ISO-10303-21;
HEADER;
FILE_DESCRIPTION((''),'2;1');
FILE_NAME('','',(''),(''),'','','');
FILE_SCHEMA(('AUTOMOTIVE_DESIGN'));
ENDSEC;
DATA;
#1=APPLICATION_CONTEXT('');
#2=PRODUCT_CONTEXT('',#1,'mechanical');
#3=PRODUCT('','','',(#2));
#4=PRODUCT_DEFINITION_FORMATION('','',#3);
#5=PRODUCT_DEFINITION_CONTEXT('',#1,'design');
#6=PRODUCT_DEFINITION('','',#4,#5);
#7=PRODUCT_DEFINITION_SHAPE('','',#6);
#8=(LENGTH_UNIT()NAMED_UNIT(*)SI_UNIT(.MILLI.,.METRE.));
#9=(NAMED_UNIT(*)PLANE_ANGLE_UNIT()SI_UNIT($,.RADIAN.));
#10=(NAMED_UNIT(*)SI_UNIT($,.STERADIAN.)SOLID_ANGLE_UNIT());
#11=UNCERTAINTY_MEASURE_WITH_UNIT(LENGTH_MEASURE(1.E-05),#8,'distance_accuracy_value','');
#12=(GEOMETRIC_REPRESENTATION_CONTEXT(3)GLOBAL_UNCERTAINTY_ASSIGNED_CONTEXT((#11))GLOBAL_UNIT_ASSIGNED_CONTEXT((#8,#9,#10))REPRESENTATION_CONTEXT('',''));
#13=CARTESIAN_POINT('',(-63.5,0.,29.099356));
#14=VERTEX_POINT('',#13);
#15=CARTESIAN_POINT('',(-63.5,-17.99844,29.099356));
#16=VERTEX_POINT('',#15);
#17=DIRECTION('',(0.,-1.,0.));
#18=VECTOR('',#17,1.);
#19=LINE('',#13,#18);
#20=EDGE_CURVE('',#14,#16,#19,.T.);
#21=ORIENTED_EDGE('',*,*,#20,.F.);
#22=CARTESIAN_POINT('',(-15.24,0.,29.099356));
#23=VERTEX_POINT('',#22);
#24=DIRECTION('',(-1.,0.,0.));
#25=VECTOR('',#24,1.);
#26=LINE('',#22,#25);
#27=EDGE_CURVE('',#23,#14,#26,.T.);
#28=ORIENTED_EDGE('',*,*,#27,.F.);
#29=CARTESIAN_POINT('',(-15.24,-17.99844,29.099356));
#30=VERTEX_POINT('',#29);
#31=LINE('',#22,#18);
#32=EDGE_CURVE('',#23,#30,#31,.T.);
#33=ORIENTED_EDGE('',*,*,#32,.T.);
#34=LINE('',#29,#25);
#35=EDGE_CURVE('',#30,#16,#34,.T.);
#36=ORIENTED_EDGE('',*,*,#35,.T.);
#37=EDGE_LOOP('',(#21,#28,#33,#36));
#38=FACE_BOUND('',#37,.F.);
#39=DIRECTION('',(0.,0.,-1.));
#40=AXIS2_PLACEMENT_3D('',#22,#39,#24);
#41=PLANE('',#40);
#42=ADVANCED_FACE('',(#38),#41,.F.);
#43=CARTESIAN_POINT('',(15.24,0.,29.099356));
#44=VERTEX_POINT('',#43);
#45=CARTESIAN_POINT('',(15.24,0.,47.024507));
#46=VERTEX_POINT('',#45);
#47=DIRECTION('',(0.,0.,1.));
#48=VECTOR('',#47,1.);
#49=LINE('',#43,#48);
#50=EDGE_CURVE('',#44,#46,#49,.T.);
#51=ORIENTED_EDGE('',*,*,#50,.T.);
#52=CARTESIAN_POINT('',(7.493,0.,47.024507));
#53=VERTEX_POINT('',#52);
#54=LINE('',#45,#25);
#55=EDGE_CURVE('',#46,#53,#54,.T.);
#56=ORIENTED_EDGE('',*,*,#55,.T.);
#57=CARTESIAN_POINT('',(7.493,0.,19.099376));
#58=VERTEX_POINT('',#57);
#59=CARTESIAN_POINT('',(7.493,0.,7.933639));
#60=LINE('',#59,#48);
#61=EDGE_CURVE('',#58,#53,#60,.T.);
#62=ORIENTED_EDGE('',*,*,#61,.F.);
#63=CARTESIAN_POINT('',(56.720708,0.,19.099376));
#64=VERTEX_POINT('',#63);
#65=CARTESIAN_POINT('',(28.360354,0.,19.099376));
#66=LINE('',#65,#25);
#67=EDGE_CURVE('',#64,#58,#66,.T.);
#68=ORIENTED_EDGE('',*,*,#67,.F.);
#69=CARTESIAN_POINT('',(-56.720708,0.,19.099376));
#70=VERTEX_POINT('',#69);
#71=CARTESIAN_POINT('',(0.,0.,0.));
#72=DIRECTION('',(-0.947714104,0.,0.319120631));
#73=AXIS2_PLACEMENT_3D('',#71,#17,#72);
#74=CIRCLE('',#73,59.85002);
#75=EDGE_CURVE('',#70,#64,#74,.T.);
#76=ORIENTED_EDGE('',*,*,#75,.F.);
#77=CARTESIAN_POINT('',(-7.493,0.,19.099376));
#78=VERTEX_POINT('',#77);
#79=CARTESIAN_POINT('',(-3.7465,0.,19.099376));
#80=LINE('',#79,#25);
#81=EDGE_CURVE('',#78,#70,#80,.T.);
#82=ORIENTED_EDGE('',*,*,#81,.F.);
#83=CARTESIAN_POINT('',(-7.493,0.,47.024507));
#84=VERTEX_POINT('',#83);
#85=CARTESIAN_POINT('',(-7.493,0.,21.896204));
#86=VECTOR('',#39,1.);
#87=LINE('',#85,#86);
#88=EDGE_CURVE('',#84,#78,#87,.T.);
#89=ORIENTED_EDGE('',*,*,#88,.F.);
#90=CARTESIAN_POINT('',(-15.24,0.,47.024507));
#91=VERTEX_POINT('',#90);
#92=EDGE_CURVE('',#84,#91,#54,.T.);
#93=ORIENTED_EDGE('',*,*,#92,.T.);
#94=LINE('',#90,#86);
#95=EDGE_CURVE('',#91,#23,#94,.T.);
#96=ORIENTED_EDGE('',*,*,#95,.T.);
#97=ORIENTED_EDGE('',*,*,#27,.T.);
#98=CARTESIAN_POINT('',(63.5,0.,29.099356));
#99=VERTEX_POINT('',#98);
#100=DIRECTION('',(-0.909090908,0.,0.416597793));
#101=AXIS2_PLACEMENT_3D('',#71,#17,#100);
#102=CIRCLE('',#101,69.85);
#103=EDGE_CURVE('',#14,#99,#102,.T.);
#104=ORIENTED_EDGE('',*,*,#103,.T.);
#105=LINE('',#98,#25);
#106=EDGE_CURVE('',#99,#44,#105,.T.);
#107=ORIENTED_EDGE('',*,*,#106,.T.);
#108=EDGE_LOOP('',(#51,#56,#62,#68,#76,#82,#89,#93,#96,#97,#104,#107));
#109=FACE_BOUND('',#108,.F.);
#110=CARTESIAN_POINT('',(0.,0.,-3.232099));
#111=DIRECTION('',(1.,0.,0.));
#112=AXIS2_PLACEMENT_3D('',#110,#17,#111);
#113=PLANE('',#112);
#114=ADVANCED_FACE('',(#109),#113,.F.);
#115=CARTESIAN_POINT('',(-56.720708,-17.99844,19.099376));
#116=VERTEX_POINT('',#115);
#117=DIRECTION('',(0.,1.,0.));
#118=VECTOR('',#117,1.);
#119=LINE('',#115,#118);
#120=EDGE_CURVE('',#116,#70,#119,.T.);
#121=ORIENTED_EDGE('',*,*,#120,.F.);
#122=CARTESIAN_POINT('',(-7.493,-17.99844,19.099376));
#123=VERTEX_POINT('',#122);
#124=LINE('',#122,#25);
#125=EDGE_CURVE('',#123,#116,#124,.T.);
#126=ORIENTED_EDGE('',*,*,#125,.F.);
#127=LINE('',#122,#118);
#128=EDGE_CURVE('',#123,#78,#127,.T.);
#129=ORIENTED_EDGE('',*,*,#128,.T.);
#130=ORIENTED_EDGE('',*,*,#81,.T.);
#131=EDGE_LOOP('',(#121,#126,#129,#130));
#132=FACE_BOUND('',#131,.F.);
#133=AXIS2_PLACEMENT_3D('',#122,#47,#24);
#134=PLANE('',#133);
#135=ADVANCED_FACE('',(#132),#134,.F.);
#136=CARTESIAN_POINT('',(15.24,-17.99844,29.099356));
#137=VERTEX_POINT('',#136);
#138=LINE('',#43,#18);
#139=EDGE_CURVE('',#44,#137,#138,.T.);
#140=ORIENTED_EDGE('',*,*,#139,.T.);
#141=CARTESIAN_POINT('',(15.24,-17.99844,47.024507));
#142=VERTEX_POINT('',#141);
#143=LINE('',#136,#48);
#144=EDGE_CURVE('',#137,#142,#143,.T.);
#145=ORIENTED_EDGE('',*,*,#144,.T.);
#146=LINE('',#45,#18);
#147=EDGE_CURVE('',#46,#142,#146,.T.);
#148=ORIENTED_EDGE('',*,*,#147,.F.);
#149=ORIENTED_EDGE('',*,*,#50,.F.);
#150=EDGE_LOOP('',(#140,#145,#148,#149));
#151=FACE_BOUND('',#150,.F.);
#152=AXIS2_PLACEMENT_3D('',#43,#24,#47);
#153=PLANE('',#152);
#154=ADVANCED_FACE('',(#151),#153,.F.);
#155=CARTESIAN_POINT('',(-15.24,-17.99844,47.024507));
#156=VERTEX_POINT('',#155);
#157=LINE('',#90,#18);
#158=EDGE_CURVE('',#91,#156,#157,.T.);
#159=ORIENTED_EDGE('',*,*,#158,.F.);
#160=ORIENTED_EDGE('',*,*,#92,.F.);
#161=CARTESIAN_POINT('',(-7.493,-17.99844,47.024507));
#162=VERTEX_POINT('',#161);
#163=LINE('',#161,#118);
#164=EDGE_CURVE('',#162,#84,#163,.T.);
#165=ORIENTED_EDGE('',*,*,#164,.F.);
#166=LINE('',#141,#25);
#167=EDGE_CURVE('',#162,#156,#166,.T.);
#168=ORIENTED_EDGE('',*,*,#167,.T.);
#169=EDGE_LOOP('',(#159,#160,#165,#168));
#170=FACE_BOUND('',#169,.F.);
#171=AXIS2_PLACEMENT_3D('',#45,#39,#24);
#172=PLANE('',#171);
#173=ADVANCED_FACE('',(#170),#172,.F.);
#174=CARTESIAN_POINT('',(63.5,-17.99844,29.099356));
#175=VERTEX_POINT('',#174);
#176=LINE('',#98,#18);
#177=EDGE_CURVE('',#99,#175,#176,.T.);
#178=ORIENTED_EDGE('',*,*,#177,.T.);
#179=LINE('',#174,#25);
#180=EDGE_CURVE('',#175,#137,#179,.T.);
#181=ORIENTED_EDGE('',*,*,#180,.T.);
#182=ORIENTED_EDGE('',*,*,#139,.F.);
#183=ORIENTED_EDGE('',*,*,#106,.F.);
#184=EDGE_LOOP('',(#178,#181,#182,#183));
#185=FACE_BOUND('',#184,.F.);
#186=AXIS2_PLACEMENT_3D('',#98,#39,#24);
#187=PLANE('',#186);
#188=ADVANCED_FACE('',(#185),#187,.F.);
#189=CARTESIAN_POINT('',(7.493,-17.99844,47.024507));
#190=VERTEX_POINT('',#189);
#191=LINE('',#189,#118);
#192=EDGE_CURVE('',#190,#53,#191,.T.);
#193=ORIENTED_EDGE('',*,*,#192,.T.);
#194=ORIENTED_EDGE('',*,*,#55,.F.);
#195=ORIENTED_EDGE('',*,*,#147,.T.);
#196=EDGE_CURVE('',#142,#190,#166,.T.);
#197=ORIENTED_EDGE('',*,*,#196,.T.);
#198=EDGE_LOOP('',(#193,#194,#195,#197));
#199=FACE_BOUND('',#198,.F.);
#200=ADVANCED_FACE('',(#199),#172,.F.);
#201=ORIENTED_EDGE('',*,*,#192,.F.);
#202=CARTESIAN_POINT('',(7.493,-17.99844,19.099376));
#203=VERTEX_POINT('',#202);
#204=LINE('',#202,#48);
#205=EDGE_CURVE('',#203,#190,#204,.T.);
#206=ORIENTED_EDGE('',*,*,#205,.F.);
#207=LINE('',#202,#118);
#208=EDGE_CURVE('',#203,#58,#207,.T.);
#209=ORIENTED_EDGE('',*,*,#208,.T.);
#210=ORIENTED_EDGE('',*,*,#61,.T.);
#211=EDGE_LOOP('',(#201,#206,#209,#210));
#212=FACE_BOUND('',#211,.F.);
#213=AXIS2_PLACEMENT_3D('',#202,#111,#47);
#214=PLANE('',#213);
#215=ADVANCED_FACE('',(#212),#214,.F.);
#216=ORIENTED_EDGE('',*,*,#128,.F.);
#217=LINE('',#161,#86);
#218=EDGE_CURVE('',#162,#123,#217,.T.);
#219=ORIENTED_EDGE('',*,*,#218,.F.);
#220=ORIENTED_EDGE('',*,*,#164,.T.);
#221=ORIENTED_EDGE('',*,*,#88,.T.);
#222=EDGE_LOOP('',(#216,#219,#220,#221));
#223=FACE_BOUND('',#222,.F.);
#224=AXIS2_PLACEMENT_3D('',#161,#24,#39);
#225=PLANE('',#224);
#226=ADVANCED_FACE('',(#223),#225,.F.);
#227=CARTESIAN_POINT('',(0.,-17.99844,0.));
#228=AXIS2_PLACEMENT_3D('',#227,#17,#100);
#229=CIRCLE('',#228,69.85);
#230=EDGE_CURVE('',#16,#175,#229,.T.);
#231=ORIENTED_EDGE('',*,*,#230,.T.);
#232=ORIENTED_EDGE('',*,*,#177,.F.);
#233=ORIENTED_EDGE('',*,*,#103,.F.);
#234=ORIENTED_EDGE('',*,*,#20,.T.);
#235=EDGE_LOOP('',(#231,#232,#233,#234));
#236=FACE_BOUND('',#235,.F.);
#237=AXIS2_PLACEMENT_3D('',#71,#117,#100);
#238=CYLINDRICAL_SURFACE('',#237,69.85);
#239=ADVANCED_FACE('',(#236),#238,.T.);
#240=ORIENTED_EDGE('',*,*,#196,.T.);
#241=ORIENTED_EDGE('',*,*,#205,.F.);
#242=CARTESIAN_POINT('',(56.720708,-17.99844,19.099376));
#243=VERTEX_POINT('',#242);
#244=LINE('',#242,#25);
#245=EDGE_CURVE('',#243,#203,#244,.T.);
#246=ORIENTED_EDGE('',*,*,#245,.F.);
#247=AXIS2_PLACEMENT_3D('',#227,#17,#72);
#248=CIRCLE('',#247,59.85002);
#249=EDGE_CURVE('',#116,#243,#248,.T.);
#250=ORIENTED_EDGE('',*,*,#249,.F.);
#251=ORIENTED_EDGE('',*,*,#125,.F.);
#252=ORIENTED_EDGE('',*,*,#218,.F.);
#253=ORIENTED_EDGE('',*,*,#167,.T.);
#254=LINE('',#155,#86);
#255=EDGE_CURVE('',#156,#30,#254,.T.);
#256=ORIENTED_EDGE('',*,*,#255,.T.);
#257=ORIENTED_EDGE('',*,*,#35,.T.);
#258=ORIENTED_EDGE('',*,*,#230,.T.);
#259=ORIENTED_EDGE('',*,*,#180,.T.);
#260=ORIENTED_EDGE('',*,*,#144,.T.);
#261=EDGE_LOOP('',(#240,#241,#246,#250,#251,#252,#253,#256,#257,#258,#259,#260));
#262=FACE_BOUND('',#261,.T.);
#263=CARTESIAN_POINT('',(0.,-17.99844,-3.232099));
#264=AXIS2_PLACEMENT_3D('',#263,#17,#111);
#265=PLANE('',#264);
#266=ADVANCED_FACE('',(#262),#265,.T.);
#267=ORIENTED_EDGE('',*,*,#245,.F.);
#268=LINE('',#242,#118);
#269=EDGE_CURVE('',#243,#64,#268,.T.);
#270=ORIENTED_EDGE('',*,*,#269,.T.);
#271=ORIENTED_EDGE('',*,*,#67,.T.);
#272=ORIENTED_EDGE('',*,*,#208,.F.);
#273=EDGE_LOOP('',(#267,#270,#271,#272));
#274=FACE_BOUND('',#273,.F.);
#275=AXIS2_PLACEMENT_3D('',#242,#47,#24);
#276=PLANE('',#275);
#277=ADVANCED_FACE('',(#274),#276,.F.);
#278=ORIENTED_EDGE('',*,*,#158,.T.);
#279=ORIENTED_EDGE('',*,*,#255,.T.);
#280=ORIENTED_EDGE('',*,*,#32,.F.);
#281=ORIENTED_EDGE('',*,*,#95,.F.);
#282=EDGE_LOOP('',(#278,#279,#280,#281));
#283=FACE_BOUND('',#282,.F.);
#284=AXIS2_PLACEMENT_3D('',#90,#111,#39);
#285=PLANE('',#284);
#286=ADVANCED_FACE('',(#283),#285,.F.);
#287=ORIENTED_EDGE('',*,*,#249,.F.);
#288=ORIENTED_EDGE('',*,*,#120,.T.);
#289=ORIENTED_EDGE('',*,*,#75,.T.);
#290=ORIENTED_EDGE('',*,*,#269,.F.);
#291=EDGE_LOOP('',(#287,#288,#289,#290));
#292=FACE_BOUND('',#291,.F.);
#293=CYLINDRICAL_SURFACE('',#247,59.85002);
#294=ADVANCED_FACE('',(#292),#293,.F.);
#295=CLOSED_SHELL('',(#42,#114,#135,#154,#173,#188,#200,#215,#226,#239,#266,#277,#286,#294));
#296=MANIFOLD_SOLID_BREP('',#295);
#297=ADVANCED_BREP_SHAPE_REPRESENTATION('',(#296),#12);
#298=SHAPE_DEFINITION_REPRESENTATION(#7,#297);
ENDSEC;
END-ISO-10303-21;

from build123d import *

# Parameters (mm, degrees)
F1_DEPTH = 17.99844
F3_DEPTH = 17.99944


with BuildPart() as f1:
    # F0 (on Front) → F1 (new body)
    with BuildSketch(Plane.XZ):
        with BuildLine():
            Line((-15.24, 29.099356), (-63.5, 29.099356))
            ThreePointArc((-63.5, 29.099356), (0, -69.85), (63.5, 29.099356))
            Line((63.5, 29.099356), (15.24, 29.099356))
            Line((15.24, 29.099356), (15.24, 47.024507))
            Line((15.24, 47.024507), (-15.24, 47.024507))
            Line((-15.24, 47.024507), (-15.24, 29.099356))
        make_face()
    extrude(amount=F1_DEPTH)

    # F2 (on face) → F3 (cut, through all)
    with BuildSketch(Plane.XZ.offset(17.99844)):
        with BuildLine():
            Line((-7.493, 19.099376), (-56.720708, 19.099376))
            ThreePointArc((-56.720708, 19.099376), (0, -59.85002), (56.720708, 19.099376))
            Line((56.720708, 19.099376), (7.493, 19.099376))
            Line((7.493, 19.099376), (7.493, 47.024507))
            Line((7.493, 47.024507), (-7.493, 47.024507))
            Line((-7.493, 47.024507), (-7.493, 19.099376))
        make_face()
    extrude(amount=-F3_DEPTH, mode=Mode.SUBTRACT)


solid = f1.part
